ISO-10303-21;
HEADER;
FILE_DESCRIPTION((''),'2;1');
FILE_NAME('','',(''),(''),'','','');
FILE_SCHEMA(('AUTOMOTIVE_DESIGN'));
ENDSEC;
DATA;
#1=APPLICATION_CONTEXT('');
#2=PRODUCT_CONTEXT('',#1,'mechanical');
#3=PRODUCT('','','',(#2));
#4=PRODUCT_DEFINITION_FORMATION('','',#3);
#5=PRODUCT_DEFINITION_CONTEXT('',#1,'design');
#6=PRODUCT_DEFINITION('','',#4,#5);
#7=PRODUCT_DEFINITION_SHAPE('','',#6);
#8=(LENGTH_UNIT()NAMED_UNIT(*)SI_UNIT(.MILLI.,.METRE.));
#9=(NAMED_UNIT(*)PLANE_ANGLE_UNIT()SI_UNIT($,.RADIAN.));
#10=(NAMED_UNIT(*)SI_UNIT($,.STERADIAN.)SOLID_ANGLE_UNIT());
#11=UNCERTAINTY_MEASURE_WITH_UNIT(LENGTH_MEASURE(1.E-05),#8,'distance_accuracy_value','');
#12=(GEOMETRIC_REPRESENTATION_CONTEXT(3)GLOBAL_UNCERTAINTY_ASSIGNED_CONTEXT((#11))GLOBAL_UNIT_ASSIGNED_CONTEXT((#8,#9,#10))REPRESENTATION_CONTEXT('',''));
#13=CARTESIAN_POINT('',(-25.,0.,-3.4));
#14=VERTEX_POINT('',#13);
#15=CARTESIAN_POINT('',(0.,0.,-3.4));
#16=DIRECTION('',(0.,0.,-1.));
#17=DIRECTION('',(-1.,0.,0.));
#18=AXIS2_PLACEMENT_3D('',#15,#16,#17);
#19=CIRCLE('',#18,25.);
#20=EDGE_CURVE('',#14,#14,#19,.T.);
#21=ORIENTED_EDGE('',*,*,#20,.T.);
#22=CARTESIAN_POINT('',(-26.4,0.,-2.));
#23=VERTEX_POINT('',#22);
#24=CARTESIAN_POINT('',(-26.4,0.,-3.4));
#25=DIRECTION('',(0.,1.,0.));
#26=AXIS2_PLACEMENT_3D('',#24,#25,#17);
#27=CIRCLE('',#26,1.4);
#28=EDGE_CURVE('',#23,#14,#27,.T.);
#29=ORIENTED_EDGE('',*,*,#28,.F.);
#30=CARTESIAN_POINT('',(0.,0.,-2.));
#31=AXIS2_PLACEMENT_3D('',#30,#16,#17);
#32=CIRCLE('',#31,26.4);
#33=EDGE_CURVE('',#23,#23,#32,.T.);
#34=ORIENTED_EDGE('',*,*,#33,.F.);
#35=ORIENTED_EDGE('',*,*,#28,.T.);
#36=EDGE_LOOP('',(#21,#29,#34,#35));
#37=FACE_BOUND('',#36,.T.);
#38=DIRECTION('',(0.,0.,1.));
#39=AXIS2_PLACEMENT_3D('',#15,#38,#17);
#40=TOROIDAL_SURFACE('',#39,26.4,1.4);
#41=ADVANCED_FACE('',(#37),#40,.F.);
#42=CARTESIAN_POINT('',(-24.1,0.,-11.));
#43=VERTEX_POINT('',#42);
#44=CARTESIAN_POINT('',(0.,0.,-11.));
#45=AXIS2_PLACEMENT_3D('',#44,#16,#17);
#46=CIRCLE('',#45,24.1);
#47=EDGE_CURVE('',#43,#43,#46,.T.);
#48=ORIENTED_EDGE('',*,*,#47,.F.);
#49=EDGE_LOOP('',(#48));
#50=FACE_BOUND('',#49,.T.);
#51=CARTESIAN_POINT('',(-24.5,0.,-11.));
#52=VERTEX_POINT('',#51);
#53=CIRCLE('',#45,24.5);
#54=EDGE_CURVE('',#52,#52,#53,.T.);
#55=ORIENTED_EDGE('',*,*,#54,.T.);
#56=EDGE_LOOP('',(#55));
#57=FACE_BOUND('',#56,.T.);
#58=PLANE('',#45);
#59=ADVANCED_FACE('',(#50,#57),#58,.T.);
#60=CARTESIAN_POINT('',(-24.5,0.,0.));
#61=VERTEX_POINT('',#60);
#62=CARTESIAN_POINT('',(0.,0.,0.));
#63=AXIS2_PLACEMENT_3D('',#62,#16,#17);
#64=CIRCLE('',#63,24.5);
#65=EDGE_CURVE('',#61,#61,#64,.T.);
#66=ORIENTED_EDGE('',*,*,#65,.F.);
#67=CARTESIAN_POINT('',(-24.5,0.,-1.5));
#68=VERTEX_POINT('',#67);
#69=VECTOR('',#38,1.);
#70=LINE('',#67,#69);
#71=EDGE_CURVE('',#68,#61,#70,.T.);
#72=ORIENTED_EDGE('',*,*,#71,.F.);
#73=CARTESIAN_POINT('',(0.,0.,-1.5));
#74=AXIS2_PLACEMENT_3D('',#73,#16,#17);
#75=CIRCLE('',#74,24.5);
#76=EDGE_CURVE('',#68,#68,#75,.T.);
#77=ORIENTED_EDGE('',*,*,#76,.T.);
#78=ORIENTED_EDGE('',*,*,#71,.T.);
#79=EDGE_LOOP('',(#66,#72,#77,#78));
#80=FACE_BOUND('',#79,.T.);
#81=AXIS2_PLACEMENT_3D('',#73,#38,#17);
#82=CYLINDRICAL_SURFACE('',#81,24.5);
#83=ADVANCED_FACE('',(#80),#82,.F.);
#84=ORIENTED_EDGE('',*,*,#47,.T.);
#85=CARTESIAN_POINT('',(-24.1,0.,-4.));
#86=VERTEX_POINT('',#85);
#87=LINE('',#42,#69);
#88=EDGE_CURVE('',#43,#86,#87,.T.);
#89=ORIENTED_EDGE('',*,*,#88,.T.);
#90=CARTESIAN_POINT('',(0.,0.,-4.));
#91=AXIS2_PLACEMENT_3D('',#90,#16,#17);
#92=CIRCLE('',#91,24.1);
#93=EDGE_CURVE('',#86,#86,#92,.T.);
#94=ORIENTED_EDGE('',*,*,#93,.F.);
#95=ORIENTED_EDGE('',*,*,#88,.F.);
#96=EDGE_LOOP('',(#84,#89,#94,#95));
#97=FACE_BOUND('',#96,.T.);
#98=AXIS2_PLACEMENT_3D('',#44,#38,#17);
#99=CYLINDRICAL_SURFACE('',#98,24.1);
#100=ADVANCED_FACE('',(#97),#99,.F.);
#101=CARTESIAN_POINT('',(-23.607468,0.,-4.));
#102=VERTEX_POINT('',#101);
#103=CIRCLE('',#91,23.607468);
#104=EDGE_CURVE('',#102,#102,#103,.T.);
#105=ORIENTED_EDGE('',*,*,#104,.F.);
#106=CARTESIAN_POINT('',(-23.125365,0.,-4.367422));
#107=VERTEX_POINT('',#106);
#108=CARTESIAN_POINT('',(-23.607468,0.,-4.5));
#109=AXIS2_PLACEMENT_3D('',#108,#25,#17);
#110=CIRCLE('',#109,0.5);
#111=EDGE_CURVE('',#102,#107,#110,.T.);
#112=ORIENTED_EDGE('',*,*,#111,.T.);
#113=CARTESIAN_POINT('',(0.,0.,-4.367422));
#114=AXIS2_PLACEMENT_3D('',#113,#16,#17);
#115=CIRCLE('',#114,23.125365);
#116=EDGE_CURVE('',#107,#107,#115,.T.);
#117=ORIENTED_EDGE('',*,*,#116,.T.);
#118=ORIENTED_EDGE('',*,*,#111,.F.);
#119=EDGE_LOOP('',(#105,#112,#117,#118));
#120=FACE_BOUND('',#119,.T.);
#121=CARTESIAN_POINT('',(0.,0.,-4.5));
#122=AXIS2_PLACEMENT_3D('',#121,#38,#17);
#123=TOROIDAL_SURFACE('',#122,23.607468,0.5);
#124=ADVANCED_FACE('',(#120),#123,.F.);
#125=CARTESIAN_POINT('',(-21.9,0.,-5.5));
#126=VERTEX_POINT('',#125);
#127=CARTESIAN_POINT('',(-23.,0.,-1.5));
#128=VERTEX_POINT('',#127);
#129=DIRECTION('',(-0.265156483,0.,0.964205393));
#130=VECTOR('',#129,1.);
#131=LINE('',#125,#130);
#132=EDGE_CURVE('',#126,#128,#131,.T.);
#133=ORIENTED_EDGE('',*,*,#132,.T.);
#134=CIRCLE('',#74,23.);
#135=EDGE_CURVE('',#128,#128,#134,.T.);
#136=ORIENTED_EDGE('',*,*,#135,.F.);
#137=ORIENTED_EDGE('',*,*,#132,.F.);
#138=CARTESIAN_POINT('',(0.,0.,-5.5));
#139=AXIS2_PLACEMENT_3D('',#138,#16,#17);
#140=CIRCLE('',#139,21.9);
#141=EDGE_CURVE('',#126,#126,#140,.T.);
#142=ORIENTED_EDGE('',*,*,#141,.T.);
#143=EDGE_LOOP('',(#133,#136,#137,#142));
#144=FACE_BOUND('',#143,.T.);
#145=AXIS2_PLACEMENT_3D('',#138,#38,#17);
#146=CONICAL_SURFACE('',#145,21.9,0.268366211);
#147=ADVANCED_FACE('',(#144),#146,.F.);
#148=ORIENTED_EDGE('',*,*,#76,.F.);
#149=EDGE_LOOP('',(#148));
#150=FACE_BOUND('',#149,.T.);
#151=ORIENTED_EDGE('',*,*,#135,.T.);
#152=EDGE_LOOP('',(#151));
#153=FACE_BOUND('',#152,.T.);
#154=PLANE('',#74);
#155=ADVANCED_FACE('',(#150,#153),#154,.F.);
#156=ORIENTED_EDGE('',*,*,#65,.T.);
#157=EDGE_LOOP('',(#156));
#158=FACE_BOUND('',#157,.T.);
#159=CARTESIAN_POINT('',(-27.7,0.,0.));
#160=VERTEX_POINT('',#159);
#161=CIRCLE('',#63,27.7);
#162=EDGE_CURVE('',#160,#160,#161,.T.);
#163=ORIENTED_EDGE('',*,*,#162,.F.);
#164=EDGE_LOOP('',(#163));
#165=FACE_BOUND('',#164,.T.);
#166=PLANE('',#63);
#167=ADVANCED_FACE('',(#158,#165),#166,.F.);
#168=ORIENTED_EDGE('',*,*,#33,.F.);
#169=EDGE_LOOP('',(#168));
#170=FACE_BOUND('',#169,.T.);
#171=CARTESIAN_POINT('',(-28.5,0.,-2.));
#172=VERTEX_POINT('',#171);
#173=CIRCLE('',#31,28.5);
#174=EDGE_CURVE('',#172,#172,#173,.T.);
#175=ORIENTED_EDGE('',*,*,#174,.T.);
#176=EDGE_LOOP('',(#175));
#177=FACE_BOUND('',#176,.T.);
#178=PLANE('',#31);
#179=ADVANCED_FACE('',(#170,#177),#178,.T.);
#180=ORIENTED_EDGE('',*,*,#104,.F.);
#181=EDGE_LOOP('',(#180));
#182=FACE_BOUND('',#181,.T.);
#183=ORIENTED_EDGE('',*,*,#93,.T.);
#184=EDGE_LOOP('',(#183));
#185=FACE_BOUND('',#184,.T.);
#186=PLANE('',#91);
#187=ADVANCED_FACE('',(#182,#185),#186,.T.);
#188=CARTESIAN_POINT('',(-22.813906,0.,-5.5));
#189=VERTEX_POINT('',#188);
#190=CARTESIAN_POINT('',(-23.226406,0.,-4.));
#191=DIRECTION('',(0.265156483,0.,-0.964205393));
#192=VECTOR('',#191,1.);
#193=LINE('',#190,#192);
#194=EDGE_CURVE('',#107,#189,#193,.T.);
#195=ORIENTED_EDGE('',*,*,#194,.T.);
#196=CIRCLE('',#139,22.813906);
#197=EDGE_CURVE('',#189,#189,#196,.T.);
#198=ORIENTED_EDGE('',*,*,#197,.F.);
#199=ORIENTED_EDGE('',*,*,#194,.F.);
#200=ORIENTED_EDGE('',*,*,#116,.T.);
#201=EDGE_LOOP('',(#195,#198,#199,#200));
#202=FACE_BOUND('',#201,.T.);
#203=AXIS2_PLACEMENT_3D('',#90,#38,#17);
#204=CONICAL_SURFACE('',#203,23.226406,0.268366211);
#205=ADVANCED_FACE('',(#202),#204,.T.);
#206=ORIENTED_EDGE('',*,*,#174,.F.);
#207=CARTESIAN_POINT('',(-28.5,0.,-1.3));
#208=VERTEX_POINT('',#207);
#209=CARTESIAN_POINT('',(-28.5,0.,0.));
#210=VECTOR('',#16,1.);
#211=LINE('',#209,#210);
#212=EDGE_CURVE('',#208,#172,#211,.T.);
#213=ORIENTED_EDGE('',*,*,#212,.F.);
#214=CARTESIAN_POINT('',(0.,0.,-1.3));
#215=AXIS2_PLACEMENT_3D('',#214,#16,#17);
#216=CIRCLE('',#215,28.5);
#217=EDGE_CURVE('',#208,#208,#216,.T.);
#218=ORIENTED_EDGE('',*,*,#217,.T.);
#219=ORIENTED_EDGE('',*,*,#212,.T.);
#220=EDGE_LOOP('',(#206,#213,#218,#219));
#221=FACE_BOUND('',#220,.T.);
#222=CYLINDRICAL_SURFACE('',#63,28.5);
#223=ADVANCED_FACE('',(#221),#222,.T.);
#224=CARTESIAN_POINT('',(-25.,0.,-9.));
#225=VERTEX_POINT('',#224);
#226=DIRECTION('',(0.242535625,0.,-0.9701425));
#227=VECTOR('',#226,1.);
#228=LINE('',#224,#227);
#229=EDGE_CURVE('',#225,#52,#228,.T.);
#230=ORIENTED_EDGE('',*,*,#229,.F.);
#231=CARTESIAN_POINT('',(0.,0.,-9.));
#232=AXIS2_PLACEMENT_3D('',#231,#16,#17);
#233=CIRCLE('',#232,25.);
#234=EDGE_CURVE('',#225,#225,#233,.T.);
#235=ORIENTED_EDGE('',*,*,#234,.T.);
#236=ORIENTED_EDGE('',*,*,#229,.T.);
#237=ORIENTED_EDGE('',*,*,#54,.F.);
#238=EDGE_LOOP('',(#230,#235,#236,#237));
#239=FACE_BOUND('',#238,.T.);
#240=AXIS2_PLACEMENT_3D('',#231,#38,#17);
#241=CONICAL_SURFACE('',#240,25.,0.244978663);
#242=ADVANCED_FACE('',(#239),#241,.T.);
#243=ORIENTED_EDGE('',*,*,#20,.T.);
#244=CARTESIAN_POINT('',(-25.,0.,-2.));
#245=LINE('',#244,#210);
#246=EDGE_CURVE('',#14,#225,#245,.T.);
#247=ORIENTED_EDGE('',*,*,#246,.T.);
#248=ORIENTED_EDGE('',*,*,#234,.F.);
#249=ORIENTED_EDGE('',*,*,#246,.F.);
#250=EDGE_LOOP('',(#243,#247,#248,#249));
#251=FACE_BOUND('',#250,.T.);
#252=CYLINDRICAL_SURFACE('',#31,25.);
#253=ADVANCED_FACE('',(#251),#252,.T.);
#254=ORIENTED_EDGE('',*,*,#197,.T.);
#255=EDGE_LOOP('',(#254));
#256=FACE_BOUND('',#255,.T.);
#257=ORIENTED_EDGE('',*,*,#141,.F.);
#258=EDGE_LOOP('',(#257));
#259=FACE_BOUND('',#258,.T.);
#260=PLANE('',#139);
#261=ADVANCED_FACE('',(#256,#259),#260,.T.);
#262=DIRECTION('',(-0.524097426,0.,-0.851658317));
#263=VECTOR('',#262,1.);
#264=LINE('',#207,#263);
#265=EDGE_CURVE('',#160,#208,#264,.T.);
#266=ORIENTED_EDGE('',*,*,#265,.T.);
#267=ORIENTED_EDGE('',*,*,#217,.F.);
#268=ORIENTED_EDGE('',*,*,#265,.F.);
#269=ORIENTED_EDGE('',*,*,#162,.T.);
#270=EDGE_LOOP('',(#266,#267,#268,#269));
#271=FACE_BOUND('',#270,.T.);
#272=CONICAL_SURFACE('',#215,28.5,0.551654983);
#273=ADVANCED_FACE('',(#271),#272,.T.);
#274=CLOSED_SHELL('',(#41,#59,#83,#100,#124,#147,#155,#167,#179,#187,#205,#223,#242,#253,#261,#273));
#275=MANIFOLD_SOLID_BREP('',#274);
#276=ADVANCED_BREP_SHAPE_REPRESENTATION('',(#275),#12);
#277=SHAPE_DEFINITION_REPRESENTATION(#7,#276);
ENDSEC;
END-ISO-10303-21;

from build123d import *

# Parameters (mm, degrees)
F2_SIZE2 = 1.3
F2_SIZE  = 0.8
F3_R     = 1.4
F4_SIZE2 = 0.5
F4_SIZE  = 2
F5_R     = 0.5


with BuildPart() as f1:
    # F0 (on Front) → F1 (revolve)
    with BuildSketch(Plane.XZ):
        Polygon((-24.5, 0), (-28.5, 0), (-28.5, -2), (-25, -2), (-25, -11), (-24.1, -11), (-24.1, -4), (-23.226406, -4), (-22.813906, -5.5), (-21.9, -5.5), (-23, -1.5), (-24.5, -1.5), align=None)
    revolve(axis=Axis((0, 0, 1.068981), (0, 0, -1)))

    # F2
    f2_edges = [f1.edges().sort_by_distance(p)[0] for p in [
        (28.5, 0, 0),
    ]]
    chamfer(f2_edges, length=F2_SIZE, length2=F2_SIZE2)

    # F3
    f3_edges = [f1.edges().sort_by_distance(p)[0] for p in [
        (25, 0, -2),
    ]]
    fillet(f3_edges, radius=F3_R)

    # F4
    f4_edges = [f1.edges().sort_by_distance(p)[0] for p in [
        (25, 0, -11),
    ]]
    chamfer(f4_edges, length=F4_SIZE, length2=F4_SIZE2)

    # F5
    f5_edges = [f1.edges().sort_by_distance(p)[0] for p in [
        (23.226406, 0, -4),
    ]]
    fillet(f5_edges, radius=F5_R)


solid = f1.part
